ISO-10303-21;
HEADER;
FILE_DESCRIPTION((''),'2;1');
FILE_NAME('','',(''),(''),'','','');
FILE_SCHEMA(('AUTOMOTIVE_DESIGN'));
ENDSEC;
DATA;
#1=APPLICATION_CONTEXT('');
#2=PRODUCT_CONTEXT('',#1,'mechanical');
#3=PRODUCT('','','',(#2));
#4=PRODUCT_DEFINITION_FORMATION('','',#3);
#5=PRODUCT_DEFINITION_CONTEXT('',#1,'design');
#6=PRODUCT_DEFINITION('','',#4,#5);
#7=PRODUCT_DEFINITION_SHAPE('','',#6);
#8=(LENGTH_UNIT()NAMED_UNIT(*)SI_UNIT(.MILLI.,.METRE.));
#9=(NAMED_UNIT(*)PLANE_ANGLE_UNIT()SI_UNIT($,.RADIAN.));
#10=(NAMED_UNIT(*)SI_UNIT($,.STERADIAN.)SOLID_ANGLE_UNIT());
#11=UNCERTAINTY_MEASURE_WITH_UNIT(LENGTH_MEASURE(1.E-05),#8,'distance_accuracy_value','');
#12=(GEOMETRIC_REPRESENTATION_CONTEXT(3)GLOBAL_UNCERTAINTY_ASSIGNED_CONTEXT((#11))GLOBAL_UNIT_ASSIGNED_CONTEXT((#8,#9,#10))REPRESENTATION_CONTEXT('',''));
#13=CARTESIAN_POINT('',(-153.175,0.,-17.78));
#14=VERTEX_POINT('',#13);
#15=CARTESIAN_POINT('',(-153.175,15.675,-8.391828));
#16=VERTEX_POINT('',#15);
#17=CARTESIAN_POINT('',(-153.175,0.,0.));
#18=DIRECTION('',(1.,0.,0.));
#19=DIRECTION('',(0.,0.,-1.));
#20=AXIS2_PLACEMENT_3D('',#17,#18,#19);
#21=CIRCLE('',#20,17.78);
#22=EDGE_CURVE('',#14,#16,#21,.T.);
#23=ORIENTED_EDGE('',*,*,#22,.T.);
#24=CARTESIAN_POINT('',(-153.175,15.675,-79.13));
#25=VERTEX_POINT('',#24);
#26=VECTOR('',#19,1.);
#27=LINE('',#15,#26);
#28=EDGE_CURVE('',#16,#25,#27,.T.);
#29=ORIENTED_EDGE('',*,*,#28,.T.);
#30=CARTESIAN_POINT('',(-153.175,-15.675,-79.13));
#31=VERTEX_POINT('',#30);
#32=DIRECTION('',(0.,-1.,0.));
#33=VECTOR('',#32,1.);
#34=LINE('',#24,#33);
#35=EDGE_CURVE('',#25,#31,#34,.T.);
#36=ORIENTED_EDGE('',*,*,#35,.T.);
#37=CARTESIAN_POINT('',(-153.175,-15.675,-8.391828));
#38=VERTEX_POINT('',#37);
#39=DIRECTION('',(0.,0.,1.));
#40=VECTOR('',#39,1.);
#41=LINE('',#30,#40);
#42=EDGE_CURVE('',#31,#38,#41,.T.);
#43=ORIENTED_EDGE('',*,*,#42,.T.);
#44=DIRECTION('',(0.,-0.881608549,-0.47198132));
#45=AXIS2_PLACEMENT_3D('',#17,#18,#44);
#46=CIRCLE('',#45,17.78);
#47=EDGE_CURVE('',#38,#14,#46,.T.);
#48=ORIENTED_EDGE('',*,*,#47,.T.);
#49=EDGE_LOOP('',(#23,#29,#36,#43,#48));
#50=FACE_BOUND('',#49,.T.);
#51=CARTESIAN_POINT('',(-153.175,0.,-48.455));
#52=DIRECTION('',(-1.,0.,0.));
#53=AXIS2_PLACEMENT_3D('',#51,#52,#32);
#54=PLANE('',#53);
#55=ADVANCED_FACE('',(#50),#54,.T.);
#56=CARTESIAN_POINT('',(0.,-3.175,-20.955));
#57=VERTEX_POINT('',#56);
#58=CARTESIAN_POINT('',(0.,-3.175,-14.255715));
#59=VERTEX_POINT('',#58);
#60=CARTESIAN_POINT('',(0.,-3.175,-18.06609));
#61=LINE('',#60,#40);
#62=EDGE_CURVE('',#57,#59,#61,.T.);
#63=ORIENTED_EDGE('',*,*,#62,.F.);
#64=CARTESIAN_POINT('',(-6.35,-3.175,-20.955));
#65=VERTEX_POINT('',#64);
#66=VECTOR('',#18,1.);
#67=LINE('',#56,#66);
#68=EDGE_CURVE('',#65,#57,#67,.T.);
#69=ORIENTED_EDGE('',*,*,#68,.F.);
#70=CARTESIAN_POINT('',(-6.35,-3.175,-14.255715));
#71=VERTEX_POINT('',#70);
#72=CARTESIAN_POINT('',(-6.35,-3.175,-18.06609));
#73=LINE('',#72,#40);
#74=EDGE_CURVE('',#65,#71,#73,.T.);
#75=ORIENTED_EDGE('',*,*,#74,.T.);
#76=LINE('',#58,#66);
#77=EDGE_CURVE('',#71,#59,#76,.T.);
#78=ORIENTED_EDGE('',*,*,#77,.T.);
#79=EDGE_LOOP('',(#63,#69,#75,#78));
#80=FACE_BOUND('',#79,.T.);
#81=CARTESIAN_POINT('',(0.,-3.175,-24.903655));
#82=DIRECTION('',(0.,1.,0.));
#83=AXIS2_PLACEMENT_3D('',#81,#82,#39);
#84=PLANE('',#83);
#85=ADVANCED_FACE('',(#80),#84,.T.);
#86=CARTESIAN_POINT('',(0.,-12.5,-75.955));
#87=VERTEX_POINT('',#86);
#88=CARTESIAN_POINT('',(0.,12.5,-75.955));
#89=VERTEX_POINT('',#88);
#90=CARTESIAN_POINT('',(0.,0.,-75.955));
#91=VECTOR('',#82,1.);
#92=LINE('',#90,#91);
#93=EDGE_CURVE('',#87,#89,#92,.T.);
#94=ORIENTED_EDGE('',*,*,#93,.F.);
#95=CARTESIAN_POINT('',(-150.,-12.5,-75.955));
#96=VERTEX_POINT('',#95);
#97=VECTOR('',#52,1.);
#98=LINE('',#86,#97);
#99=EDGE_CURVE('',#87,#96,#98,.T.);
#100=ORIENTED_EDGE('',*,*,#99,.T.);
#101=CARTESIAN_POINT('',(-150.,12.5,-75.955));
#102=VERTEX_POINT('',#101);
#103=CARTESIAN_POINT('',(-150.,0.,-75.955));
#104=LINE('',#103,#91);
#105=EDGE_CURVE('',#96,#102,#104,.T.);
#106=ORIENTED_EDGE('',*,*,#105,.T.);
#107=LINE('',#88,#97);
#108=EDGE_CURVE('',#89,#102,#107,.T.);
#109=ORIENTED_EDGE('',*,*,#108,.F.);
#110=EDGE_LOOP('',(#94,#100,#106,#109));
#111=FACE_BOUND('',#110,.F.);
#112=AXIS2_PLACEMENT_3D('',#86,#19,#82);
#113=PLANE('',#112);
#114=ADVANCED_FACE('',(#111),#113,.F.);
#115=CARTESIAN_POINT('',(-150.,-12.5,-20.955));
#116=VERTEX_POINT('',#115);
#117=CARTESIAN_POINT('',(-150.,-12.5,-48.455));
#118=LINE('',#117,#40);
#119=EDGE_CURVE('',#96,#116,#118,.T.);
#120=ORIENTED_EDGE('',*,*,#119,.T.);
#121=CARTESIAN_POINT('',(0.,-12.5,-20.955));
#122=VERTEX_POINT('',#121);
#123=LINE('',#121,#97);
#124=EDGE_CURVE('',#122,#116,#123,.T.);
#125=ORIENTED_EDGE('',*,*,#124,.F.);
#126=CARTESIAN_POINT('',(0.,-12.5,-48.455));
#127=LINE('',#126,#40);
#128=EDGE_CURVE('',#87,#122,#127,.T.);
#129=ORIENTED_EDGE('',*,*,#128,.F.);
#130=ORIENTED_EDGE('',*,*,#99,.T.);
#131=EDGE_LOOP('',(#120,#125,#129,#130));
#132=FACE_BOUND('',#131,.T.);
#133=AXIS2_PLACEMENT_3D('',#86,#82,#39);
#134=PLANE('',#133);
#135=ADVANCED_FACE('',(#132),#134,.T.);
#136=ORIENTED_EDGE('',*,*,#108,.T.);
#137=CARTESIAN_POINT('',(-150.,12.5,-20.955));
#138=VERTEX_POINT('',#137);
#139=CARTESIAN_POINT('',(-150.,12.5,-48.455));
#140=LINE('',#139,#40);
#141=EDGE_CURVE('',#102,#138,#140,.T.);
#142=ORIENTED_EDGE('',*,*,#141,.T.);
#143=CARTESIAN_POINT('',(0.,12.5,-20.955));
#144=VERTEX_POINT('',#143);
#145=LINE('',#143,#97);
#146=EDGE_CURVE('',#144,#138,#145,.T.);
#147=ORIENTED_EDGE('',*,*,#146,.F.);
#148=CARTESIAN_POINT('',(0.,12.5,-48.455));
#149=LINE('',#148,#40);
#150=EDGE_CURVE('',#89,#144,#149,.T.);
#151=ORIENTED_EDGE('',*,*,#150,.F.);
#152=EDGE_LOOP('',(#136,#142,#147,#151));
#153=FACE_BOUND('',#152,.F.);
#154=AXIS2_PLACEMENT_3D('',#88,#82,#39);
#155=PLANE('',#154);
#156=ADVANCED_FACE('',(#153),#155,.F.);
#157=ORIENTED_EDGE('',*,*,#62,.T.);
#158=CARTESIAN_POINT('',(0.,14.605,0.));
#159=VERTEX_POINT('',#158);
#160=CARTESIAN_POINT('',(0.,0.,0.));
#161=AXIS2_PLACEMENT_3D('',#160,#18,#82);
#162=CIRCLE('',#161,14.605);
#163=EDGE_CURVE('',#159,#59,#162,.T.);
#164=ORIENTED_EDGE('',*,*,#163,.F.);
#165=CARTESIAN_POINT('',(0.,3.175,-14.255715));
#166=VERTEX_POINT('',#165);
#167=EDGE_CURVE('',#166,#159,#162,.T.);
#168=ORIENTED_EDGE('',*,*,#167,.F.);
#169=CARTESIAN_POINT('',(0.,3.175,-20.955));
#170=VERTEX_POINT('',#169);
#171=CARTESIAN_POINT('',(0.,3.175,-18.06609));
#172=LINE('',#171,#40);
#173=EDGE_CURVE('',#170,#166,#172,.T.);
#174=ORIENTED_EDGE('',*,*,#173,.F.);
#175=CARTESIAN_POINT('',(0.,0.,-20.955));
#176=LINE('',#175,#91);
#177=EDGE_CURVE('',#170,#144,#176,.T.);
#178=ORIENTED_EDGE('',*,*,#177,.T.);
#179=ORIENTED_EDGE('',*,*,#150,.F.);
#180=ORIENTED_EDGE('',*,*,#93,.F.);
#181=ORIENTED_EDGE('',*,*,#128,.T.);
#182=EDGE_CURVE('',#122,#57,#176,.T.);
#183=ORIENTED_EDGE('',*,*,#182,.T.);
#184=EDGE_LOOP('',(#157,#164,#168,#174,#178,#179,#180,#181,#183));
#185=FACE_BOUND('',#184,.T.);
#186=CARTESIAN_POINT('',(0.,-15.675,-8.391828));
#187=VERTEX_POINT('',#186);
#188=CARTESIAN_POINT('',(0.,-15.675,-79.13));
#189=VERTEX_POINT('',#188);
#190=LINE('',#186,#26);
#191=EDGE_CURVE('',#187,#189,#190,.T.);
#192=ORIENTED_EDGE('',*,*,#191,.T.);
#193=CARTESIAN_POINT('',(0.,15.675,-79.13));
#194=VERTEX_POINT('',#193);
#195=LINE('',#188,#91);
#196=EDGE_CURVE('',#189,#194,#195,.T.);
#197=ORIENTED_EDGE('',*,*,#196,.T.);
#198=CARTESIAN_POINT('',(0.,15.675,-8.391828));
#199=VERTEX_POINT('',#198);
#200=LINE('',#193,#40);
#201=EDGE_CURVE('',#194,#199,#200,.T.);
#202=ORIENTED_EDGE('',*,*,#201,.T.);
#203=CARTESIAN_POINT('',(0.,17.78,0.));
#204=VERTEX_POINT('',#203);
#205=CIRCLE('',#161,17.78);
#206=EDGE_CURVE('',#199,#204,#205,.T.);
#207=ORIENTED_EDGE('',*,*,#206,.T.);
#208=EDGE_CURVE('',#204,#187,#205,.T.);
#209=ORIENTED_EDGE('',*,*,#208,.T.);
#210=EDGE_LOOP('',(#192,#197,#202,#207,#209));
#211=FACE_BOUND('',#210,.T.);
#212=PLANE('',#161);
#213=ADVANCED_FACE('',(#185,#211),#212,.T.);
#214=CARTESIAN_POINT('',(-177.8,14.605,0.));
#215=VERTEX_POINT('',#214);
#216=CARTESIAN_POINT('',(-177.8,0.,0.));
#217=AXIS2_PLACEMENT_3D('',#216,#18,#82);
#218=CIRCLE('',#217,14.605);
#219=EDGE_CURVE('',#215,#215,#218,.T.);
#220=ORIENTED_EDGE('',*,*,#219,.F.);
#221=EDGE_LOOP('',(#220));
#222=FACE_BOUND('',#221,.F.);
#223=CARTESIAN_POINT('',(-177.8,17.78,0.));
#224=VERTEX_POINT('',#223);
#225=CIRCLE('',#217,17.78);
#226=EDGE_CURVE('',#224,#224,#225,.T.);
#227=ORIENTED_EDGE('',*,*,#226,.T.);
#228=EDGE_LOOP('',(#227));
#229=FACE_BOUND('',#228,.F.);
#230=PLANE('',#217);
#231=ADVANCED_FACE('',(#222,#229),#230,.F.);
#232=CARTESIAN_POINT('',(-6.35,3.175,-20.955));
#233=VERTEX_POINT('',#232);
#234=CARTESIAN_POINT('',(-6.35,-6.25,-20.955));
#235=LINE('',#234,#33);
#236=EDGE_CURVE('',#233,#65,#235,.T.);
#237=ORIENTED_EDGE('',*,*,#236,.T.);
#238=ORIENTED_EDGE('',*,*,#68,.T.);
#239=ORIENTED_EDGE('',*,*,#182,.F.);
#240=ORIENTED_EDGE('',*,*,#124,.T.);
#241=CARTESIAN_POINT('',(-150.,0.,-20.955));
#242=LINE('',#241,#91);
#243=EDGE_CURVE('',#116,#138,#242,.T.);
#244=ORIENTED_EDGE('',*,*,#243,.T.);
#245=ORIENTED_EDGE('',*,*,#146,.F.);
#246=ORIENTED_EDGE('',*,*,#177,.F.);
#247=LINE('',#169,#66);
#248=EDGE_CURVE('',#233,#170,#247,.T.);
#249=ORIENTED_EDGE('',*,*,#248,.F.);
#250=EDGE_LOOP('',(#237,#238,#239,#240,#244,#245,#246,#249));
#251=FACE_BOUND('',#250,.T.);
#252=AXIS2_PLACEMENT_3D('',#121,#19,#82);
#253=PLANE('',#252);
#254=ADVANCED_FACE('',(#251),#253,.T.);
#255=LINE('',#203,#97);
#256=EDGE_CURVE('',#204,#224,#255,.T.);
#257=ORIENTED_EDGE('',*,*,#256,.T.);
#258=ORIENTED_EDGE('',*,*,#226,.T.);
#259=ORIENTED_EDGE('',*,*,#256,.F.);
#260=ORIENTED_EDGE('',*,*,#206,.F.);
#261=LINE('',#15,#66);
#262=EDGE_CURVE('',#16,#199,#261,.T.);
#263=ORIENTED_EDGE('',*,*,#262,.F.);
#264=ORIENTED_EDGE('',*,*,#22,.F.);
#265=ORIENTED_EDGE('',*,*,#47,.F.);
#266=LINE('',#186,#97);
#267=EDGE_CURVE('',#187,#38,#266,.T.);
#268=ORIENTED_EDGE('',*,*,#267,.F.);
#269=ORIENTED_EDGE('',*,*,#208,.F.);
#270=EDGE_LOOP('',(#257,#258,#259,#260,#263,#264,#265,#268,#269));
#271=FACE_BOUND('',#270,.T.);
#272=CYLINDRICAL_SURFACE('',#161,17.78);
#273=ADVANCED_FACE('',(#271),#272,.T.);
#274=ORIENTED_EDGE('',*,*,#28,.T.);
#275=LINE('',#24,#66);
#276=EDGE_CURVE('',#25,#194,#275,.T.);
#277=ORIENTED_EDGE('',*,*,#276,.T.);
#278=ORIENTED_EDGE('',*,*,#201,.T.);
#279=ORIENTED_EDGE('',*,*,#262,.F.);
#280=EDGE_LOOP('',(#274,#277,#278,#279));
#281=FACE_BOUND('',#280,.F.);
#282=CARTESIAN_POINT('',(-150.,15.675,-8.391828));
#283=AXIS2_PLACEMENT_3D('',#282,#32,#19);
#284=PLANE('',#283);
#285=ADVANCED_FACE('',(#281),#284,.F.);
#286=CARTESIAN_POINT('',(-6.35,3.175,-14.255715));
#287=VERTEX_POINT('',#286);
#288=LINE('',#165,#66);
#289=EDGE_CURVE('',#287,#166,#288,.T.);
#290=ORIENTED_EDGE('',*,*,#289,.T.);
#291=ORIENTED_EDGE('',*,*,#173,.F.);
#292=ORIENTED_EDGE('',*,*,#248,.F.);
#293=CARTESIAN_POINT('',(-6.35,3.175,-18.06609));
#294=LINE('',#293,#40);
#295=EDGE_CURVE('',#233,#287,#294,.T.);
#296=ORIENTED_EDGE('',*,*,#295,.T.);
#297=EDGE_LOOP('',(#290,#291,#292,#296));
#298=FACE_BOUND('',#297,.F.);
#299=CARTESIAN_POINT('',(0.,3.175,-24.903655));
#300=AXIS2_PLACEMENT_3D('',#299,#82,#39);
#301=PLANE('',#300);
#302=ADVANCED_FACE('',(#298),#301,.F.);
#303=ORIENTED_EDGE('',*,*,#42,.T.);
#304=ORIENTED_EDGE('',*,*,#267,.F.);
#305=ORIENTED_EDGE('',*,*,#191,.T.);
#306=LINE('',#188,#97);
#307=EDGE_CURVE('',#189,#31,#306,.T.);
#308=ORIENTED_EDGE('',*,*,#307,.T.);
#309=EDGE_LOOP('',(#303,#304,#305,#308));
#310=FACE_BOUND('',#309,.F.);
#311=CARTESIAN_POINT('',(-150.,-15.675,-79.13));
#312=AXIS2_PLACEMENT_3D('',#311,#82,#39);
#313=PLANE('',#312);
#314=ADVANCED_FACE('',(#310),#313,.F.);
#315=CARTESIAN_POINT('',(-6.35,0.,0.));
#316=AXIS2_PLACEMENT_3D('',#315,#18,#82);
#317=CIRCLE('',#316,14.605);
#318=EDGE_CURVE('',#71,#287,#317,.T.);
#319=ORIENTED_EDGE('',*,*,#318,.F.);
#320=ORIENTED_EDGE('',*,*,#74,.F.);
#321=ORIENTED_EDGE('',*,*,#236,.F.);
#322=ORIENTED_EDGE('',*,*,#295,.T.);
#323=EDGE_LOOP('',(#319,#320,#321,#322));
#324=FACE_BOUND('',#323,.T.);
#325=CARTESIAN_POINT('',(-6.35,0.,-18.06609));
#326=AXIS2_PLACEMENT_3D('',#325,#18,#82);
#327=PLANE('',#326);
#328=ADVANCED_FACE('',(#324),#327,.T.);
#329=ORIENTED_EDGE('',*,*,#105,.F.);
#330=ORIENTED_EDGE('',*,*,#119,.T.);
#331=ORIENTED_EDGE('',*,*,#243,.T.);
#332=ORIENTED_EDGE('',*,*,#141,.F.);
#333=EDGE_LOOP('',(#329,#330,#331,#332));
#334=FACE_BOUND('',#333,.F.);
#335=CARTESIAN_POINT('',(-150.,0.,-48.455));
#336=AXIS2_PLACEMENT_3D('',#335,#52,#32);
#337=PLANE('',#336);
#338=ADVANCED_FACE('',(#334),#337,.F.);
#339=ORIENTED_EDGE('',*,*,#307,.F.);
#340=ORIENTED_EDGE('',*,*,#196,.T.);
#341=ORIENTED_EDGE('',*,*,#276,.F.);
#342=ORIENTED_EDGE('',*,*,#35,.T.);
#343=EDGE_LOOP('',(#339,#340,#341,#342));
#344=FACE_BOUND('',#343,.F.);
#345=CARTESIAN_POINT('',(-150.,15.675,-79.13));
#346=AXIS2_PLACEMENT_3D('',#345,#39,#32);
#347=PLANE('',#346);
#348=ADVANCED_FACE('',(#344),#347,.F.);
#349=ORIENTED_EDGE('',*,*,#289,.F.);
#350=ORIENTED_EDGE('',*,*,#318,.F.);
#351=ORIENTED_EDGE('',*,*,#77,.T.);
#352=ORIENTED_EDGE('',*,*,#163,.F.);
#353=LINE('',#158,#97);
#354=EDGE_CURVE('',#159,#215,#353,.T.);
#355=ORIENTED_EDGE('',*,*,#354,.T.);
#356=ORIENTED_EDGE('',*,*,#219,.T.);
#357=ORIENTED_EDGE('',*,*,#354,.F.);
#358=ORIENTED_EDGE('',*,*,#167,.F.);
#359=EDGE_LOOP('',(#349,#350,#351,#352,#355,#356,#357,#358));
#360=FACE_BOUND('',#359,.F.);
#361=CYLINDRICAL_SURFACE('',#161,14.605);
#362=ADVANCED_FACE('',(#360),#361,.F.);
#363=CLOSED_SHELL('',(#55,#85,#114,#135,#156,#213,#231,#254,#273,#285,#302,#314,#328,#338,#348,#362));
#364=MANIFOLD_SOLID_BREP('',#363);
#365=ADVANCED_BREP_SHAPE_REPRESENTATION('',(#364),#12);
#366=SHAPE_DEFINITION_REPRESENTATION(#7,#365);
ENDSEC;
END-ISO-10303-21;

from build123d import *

# Parameters (mm, degrees)
F0_R     = 17.78
F0_R_2   = 14.605
F1_DEPTH = 177.8
F2_W     = 25
F2_H     = 55
F3_DEPTH = 150
F5_DEPTH = 3.175
F6_W     = 6.35
F6_H     = 13.6751307396
F7_DEPTH = 6.35


with BuildPart() as f1:
    # F0 (on Right) → F1 (new body)
    with BuildSketch(Plane.YZ):
        Circle(F0_R)
        Circle(F0_R_2, mode=Mode.SUBTRACT)
    extrude(amount=-F1_DEPTH)

    # F2 (on Right) → F3 (join)
    with BuildSketch(Plane.YZ):
        Polygon((-7.21e-08, -17.78), (-15.675, -17.78), (-15.675, -79.13), (15.675, -79.13), (15.675, -17.78), align=None)
        with Locations((0, -48.455)):
            Rectangle(F2_W, F2_H, mode=Mode.SUBTRACT)
        with BuildLine():
            Line((-15.675, -8.39182787), (-15.675, -17.78))
            Line((-15.675, -17.78), (-7.21e-08, -17.78))
            ThreePointArc((-7.21e-08, -17.78), (-9.1356910412, -15.2534438472), (-15.675, -8.39182787))
        make_face()
        with BuildLine():
            ThreePointArc((15.675, -8.39182787), (9.1356909794, -15.2534438842), (-7.21e-08, -17.78))
            Line((-7.21e-08, -17.78), (15.675, -17.78))
            Line((15.675, -17.78), (15.675, -8.39182787))
        make_face()
    extrude(amount=-F3_DEPTH)

    # F4 (on face) → F5 (join)
    with BuildSketch(Plane(origin=(-150, 0, 0), x_dir=(0, -1, 0), z_dir=(-1, 0, 0))):
        Polygon((-15.675, -17.78), (-15.675, -79.13), (15.675, -79.13), (15.675, -17.78), (0, -17.78), align=None)
        with BuildLine():
            Line((-15.675, -8.39182787), (-15.675, -17.78))
            Line((-15.675, -17.78), (0, -17.78))
            ThreePointArc((0, -17.78), (-9.1356910103, -15.2534438657), (-15.675, -8.39182787))
        make_face()
        with BuildLine():
            Line((0, -17.78), (15.675, -17.78))
            Line((15.675, -17.78), (15.675, -8.39182787))
            ThreePointArc((15.675, -8.39182787), (9.1356910103, -15.2534438657), (0, -17.78))
        make_face()
    extrude(amount=F5_DEPTH)

    # F6 (on Right) → F7 (cut)
    with BuildSketch(Plane.YZ):
        with Locations((0, -18.0660898343)):
            Rectangle(F6_W, F6_H)
    extrude(amount=-F7_DEPTH, mode=Mode.SUBTRACT)


solid = f1.part
